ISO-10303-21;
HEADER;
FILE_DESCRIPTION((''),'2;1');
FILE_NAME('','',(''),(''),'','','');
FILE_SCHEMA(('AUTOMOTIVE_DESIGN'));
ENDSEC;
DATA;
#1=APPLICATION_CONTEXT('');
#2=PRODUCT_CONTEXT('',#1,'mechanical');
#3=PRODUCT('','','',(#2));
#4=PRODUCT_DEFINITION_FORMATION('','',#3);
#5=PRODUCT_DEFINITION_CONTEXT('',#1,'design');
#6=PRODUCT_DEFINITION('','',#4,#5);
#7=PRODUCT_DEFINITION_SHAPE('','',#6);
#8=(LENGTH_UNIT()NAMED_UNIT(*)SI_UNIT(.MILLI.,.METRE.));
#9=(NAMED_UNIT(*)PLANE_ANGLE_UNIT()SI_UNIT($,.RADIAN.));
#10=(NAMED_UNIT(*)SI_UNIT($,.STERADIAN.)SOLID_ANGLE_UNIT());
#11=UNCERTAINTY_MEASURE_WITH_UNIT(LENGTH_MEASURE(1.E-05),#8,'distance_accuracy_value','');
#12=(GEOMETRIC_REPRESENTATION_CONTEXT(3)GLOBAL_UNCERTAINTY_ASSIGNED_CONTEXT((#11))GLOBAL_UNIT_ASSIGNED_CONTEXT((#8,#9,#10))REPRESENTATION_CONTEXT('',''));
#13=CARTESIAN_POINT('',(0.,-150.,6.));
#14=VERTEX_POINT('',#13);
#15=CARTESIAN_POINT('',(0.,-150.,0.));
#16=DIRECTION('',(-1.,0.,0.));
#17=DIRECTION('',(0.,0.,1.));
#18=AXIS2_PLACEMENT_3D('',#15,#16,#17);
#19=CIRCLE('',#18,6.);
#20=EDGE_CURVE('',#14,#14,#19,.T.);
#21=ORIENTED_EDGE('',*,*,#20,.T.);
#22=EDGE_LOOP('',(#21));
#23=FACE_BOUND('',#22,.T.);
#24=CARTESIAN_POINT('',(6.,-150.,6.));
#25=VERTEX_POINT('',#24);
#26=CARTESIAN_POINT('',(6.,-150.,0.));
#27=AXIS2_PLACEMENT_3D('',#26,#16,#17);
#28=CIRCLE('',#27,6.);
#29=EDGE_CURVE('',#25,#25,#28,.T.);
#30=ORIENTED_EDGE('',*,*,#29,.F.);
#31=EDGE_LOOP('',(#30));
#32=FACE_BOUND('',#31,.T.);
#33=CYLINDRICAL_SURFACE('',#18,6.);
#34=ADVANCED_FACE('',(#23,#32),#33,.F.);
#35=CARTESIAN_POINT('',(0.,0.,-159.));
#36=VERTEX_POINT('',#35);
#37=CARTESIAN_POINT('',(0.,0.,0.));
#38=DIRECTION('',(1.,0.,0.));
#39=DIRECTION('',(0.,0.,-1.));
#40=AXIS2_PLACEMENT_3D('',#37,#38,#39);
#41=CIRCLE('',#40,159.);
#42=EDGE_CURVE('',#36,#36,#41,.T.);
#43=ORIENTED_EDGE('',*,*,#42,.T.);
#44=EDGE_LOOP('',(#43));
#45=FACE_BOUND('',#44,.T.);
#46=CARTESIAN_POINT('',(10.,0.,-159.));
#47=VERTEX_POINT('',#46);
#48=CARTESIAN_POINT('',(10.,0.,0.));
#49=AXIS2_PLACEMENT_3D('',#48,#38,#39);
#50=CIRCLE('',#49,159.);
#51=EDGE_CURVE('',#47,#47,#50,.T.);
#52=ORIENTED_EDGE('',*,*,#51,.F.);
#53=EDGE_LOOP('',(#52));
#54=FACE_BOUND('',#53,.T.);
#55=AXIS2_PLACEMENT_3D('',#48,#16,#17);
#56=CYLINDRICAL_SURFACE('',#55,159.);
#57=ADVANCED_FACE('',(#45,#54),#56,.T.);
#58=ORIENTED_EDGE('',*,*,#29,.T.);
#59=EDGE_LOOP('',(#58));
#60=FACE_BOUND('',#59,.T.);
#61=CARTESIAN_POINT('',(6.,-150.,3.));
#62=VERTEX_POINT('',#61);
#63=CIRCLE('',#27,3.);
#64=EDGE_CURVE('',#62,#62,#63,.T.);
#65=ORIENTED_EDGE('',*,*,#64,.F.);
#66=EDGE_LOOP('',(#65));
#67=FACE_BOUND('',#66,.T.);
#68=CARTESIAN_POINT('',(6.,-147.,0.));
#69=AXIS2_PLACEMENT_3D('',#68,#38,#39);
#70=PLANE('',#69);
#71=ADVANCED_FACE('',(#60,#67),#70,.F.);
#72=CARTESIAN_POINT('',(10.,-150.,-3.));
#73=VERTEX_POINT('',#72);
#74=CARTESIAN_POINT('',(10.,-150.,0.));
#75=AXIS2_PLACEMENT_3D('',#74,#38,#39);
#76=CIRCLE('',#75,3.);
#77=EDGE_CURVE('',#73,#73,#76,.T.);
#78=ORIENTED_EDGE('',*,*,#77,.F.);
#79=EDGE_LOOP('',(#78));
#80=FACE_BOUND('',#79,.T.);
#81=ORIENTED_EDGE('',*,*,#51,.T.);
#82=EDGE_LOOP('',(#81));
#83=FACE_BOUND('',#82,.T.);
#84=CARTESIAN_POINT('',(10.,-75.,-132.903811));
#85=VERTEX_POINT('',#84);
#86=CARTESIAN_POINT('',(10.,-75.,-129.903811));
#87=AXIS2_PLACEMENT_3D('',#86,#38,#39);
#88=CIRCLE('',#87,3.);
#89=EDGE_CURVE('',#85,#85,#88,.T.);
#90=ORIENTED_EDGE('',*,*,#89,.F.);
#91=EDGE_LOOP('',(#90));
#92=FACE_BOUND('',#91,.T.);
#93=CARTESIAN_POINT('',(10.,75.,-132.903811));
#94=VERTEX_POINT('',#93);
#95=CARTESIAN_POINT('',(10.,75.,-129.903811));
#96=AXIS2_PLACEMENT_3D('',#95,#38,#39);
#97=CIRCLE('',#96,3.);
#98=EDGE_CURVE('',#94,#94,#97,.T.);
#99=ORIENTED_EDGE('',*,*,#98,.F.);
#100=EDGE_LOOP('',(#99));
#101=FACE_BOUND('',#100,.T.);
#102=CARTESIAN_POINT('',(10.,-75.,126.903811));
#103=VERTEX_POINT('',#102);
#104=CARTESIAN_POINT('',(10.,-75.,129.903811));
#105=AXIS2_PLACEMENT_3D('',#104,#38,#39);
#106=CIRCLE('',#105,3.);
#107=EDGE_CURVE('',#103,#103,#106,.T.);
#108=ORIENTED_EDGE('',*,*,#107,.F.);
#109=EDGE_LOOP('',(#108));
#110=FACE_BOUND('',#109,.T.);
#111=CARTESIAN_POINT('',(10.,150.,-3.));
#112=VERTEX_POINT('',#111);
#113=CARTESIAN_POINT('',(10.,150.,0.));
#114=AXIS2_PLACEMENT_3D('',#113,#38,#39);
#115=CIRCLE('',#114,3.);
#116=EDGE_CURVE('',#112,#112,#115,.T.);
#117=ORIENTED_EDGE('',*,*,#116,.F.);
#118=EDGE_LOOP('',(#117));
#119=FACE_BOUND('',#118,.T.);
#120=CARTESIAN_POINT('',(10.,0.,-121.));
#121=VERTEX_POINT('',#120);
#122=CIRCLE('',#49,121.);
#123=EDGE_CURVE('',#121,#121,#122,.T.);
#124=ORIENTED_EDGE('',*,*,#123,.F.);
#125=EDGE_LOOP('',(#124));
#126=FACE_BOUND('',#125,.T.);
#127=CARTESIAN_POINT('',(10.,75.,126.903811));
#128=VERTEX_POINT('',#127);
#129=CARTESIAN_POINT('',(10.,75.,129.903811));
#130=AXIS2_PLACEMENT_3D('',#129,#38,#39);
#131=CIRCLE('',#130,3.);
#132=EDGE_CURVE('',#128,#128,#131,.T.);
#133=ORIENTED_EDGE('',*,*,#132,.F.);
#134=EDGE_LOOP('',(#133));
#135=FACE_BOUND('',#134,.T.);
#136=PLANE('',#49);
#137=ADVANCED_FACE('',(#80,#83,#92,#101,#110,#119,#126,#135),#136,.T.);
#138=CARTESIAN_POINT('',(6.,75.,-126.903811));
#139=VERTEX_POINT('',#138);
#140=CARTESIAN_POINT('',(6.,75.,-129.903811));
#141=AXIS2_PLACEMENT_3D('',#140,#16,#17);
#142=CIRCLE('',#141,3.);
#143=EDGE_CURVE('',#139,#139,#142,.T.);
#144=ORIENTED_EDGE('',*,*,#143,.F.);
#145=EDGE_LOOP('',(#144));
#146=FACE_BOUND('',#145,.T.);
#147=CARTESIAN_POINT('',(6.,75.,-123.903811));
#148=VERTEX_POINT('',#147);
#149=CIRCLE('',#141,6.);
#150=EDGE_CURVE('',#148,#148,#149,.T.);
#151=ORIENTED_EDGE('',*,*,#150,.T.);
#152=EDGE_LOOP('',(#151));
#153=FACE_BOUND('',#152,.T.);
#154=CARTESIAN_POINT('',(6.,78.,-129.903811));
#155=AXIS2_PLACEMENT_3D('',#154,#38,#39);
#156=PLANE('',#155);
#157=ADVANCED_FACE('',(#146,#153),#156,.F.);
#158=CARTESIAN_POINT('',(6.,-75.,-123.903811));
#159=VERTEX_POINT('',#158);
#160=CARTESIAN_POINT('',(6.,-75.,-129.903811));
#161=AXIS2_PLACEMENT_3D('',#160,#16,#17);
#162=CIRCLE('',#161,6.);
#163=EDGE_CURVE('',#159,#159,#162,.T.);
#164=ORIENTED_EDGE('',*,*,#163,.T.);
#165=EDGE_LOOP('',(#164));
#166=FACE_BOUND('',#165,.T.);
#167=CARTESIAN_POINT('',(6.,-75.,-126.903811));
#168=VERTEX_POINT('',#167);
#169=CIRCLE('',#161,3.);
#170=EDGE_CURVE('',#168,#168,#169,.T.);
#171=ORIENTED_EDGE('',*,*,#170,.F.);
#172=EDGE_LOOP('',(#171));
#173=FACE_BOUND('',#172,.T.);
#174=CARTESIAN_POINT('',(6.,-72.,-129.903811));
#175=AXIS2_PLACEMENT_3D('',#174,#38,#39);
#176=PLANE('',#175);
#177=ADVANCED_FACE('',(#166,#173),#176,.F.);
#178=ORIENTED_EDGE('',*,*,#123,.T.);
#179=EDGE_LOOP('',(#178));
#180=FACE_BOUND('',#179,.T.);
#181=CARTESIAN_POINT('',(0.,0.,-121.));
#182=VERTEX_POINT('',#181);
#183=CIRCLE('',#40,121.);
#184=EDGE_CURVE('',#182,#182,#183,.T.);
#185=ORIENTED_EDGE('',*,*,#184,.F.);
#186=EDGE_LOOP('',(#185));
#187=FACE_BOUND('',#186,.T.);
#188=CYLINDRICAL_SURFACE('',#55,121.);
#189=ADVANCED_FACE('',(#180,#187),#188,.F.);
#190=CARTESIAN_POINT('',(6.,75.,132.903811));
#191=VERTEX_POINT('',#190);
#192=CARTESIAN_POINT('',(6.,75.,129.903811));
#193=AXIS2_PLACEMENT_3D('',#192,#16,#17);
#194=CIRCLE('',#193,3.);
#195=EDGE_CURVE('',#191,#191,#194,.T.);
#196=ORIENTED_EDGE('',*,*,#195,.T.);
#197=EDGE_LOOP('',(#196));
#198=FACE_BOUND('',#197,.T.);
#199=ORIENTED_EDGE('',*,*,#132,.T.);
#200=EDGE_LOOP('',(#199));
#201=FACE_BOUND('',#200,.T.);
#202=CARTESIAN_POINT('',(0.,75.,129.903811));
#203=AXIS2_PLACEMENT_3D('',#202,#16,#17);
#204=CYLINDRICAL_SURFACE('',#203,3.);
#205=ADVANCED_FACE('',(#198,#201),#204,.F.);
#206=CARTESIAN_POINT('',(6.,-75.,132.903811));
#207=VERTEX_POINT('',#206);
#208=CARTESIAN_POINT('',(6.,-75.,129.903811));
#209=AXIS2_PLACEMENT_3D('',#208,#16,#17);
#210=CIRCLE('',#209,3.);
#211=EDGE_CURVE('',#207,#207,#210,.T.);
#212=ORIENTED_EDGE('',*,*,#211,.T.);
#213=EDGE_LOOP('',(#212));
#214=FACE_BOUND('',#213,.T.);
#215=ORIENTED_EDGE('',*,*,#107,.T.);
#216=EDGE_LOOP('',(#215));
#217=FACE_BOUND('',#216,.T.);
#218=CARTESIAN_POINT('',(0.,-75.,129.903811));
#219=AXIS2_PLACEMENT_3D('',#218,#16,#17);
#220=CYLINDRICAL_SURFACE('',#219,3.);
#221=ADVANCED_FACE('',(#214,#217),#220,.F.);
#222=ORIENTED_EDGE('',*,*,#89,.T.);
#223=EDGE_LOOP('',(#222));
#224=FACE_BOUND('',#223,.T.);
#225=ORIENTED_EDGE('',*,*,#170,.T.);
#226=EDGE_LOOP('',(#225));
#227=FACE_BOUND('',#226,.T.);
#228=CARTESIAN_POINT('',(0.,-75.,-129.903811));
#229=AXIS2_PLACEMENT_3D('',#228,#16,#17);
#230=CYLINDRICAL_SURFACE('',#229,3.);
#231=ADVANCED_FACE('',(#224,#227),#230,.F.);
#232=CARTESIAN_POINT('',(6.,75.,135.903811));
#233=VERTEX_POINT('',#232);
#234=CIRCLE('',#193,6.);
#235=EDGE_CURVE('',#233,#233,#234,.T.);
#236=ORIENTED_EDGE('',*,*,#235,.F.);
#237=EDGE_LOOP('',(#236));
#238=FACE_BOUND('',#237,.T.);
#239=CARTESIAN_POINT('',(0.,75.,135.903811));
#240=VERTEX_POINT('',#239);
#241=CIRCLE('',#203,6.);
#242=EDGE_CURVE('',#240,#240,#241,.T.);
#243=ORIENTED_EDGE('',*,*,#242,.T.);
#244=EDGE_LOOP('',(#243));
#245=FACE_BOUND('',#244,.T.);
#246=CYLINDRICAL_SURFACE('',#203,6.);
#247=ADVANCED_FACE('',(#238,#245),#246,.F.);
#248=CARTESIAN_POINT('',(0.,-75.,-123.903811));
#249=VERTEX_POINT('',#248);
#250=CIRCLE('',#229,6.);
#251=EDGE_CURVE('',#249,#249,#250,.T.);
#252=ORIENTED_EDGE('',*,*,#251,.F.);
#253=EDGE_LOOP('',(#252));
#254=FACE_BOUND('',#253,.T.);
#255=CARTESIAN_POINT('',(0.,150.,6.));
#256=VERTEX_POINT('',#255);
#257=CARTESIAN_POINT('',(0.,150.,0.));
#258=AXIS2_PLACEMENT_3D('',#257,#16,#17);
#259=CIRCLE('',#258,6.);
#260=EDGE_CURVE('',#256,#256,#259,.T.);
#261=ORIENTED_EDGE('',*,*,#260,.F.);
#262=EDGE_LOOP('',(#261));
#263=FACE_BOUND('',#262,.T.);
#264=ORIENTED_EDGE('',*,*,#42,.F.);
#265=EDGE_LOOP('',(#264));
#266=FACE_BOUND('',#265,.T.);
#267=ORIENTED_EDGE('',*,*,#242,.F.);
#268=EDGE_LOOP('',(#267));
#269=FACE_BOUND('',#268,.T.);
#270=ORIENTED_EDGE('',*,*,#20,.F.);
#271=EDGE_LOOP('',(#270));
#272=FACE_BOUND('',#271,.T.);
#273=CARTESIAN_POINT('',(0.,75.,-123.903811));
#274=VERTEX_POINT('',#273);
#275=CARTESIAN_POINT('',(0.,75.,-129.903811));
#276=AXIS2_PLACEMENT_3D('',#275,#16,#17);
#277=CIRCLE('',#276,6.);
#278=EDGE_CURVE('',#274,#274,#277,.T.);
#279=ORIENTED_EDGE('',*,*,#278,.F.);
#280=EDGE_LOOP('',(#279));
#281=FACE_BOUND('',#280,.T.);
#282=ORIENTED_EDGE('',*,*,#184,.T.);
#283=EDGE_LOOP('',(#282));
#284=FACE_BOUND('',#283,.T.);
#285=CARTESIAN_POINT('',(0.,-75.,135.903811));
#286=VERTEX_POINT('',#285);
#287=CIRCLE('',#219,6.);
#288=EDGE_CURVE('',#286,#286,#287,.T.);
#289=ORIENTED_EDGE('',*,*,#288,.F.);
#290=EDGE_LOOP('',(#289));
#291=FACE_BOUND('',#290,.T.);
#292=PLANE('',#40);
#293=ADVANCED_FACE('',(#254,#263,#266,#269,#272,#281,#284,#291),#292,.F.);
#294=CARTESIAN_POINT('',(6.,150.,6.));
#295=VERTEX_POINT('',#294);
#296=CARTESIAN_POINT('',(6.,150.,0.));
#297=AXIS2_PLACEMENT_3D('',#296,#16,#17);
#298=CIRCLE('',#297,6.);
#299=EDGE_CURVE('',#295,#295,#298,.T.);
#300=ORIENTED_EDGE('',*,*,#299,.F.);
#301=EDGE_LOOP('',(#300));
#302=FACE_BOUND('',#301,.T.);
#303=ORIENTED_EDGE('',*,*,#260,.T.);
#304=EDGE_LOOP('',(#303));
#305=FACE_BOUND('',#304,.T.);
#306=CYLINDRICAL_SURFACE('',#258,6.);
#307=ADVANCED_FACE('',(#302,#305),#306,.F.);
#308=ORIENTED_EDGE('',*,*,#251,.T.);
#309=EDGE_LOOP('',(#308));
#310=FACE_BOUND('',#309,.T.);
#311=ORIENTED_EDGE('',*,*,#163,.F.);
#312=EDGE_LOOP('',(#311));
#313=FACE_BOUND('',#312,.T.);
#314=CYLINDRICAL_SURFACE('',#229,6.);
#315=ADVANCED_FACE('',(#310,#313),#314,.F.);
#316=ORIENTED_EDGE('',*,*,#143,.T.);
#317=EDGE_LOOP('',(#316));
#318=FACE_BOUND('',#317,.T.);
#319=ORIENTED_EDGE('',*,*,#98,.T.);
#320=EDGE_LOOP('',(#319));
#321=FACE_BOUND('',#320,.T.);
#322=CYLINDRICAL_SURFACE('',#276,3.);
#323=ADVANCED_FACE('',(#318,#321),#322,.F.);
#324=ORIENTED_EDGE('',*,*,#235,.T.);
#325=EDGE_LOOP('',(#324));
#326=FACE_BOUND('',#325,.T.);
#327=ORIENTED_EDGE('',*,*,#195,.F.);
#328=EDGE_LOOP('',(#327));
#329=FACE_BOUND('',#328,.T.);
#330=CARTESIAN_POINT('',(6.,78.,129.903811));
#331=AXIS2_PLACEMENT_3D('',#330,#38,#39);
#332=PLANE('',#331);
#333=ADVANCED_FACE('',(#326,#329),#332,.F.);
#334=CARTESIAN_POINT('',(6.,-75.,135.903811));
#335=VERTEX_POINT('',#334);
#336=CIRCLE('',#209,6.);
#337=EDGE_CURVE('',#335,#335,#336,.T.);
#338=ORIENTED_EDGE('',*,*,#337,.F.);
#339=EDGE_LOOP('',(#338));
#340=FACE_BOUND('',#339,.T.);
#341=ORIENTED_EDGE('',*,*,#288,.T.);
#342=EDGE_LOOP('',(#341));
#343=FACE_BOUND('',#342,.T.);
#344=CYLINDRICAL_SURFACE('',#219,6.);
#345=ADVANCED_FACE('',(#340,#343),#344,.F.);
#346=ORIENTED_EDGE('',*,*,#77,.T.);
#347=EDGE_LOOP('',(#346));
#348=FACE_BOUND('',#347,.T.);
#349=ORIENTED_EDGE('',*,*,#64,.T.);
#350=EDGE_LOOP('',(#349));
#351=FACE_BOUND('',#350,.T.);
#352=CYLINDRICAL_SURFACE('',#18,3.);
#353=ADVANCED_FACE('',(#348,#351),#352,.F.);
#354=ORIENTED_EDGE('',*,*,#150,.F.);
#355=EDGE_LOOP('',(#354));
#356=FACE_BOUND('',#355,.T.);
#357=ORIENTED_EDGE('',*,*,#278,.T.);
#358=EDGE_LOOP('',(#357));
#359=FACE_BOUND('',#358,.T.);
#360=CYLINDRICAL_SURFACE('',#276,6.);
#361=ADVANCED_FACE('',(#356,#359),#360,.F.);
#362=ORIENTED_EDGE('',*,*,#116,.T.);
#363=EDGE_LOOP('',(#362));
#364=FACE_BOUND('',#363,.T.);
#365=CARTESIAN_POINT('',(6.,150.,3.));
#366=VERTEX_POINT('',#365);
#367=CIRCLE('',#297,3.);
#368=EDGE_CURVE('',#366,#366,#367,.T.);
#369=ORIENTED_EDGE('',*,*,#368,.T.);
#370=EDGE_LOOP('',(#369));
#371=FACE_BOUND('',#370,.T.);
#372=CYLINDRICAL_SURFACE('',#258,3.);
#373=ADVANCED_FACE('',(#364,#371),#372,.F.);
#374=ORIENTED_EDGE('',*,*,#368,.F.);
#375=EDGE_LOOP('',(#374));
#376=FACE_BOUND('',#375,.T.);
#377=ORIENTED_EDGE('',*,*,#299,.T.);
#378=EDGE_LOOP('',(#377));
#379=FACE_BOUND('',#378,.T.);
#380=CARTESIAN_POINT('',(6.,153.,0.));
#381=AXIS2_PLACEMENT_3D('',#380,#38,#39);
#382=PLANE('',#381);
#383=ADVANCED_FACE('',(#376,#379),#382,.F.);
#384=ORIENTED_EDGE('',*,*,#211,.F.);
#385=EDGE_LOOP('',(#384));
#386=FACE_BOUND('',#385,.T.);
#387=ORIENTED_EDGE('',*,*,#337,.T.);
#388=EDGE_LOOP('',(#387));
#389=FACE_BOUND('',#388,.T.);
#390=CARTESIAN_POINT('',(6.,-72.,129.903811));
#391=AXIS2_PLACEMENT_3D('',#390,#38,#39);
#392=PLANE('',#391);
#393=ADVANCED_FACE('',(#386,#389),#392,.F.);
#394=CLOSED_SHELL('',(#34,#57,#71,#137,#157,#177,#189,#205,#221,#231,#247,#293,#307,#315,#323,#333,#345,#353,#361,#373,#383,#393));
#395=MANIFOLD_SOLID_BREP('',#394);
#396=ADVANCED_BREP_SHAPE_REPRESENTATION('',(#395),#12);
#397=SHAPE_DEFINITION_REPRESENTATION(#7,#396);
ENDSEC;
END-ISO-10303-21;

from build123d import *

# Parameters (mm, degrees)
SKETCH1_R                               = 159
SKETCH1_R_2                             = 121
BOSS_EXTRUDE1_DEPTH                     = 10
CBORE_FOR_M5_HEX_HEAD_BOLT2_D           = 6
CBORE_FOR_M5_HEX_HEAD_BOLT2_DEPTH       = 13
CBORE_FOR_M5_HEX_HEAD_BOLT2_CBORE_D     = 12
CBORE_FOR_M5_HEX_HEAD_BOLT2_CBORE_DEPTH = 6
CBORE_FOR_M5_HEX_HEAD_BOLT2_TIP         = 1.802581857


with BuildPart() as part:
    # Sketch1 → Boss-Extrude1 (new body)
    with BuildSketch(Plane(origin=(0, 0, 0), x_dir=(0, 0, -1), z_dir=(1, 0, 0))):
        Circle(SKETCH1_R)
        Circle(SKETCH1_R_2, mode=Mode.SUBTRACT)
    extrude(amount=BOSS_EXTRUDE1_DEPTH)

    # CBORE for M5 Hex Head Bolt2
    with Locations(Plane.ZY):
        with Locations((0, 150), (129.903810568, 75), (129.903810568, -75), (0, -150), (-129.903810568, -75), (-129.903810568, 75), (0, 0)):
            CounterBoreHole(CBORE_FOR_M5_HEX_HEAD_BOLT2_D / 2, CBORE_FOR_M5_HEX_HEAD_BOLT2_CBORE_D / 2, CBORE_FOR_M5_HEX_HEAD_BOLT2_CBORE_DEPTH, depth=CBORE_FOR_M5_HEX_HEAD_BOLT2_DEPTH)
            with Locations((0, 0, -(CBORE_FOR_M5_HEX_HEAD_BOLT2_DEPTH + CBORE_FOR_M5_HEX_HEAD_BOLT2_TIP / 2))):  # 118° drill point
                Cone(0, CBORE_FOR_M5_HEX_HEAD_BOLT2_D / 2, CBORE_FOR_M5_HEX_HEAD_BOLT2_TIP, mode=Mode.SUBTRACT)


solid = part.part
